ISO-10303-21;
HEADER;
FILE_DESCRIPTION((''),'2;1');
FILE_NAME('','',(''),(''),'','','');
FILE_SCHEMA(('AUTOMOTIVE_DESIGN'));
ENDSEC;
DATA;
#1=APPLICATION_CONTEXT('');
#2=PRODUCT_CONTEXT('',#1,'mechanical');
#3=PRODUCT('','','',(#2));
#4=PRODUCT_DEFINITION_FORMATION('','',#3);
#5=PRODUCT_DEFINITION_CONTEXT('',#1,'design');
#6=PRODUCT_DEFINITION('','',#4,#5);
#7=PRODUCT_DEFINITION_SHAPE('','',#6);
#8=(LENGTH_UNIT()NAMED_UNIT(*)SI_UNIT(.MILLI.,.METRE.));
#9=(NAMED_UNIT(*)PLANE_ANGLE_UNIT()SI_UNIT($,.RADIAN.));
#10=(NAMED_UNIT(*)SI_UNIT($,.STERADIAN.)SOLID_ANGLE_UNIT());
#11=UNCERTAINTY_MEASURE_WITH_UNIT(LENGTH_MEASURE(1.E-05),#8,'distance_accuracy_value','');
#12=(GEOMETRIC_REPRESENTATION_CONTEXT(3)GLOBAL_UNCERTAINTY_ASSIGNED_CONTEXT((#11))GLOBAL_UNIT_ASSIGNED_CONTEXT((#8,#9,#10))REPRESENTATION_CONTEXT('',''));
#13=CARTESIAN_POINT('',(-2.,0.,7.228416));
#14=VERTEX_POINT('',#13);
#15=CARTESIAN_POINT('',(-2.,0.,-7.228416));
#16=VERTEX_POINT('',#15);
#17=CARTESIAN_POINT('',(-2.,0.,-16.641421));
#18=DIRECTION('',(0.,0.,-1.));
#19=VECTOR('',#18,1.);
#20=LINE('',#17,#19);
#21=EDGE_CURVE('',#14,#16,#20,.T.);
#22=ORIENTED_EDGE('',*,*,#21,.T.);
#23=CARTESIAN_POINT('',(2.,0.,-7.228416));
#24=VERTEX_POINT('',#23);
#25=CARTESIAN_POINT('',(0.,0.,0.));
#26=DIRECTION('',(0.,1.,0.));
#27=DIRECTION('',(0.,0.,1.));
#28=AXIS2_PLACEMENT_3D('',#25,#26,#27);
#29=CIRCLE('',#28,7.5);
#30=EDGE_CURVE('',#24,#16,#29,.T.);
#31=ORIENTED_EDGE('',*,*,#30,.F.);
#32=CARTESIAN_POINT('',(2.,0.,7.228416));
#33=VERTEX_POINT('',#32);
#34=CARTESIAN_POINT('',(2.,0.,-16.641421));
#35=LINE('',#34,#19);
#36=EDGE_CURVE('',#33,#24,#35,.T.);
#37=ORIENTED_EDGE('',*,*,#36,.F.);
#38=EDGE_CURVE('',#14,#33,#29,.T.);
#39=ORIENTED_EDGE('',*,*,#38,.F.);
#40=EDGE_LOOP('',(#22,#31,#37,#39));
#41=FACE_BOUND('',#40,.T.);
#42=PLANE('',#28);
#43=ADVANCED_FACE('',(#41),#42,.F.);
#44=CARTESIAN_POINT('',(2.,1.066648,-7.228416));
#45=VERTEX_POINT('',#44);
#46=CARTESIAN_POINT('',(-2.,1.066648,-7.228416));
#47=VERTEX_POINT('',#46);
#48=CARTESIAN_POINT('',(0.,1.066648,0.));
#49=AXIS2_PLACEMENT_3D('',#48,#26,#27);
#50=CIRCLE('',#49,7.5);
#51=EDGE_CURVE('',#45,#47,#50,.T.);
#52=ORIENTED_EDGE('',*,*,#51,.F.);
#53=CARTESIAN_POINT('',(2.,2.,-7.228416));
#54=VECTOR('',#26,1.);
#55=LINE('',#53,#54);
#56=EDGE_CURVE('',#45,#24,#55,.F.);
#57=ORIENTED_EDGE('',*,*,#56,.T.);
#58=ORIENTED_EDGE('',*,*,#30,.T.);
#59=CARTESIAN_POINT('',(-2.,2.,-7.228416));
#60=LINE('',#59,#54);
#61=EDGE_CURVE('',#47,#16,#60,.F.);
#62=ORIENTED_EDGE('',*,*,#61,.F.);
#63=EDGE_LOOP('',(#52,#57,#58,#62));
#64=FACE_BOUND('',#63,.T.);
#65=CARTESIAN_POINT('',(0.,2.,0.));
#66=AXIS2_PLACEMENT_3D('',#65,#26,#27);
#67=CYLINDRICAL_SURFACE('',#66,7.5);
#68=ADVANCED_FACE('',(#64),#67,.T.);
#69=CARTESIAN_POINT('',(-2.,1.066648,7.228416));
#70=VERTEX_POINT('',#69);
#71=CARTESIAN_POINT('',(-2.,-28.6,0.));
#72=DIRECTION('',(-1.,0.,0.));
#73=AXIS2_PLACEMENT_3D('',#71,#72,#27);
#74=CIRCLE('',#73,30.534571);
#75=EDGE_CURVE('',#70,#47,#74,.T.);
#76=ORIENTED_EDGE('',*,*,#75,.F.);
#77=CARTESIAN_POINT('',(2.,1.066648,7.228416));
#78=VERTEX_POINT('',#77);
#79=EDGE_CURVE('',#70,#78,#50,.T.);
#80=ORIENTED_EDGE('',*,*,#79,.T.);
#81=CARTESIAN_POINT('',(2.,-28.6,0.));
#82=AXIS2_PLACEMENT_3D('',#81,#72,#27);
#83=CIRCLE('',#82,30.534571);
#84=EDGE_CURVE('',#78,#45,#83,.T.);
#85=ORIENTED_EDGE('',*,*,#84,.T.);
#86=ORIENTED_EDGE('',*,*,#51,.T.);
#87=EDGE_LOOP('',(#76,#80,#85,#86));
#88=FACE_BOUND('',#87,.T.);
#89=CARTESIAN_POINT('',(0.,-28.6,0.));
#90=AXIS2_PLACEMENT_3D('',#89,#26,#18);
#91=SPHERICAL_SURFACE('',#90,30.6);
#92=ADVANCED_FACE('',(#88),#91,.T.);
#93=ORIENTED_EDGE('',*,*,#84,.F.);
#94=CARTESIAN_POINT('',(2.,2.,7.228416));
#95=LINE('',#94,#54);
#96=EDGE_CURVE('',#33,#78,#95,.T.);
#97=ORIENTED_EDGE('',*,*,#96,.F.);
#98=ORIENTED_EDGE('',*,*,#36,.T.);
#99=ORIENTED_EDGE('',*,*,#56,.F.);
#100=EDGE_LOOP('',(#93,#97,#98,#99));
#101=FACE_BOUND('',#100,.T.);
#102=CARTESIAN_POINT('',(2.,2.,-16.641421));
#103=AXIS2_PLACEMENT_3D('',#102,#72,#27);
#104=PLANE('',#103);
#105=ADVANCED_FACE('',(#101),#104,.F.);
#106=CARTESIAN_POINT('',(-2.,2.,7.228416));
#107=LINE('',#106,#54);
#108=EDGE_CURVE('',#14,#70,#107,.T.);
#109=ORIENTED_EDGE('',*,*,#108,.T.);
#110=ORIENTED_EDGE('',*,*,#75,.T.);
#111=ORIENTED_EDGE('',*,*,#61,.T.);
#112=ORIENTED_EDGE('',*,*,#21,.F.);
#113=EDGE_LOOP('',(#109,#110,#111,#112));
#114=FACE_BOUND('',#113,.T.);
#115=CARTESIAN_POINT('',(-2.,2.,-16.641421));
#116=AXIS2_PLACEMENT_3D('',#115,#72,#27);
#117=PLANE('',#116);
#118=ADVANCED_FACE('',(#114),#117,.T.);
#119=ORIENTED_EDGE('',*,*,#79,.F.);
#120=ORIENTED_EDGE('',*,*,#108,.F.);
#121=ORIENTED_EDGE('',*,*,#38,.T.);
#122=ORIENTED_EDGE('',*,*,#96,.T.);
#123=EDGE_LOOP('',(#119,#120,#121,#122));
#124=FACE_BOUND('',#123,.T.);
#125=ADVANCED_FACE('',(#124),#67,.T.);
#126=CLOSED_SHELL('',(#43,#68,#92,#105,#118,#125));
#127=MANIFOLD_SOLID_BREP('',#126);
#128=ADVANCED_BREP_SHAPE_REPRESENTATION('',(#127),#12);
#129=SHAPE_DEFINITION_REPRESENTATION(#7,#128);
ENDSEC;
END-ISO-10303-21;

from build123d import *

# Parameters (mm, degrees)
CUT_EXTRUDE_2_DEPTH = 3


with BuildPart() as part:
    # Эскиз1 → Повернуть1 (revolve)
    with BuildSketch(Plane(origin=(0, 0, 0), x_dir=(0, 0, -1), z_dir=(1, 0, 0))):
        with BuildLine():
            Line((0, 0), (7.5, 0))
            Line((7.5, 0), (7.5, 1.06664794))
            ThreePointArc((7.5, 1.06664794), (3.778926636, 1.765765485), (0, 2))
            Line((0, 2), (0, 0))
        make_face()
    revolve(axis=Axis((0, 2, 0), (0, -1, 0)))

    # Эскиз2 → Вырез-Вытянуть2 (cut, through all)
    with BuildSketch(Plane.XZ):
        with BuildLine():
            Line((-2, -7.228416147), (-2, 7.228416147))
            ThreePointArc((-2, 7.228416147), (-7.5, 0), (-2, -7.228416147))
        make_face()
        with BuildLine():
            ThreePointArc((7.5, 0), (5.968668193, 4.541475531), (2, 7.228416147))
            Line((2, 7.228416147), (2, -7.228416147))
            ThreePointArc((2, -7.228416147), (5.968668193, -4.541475531), (7.5, 0))
        make_face()
    extrude(amount=-CUT_EXTRUDE_2_DEPTH, mode=Mode.SUBTRACT)


solid = part.part
